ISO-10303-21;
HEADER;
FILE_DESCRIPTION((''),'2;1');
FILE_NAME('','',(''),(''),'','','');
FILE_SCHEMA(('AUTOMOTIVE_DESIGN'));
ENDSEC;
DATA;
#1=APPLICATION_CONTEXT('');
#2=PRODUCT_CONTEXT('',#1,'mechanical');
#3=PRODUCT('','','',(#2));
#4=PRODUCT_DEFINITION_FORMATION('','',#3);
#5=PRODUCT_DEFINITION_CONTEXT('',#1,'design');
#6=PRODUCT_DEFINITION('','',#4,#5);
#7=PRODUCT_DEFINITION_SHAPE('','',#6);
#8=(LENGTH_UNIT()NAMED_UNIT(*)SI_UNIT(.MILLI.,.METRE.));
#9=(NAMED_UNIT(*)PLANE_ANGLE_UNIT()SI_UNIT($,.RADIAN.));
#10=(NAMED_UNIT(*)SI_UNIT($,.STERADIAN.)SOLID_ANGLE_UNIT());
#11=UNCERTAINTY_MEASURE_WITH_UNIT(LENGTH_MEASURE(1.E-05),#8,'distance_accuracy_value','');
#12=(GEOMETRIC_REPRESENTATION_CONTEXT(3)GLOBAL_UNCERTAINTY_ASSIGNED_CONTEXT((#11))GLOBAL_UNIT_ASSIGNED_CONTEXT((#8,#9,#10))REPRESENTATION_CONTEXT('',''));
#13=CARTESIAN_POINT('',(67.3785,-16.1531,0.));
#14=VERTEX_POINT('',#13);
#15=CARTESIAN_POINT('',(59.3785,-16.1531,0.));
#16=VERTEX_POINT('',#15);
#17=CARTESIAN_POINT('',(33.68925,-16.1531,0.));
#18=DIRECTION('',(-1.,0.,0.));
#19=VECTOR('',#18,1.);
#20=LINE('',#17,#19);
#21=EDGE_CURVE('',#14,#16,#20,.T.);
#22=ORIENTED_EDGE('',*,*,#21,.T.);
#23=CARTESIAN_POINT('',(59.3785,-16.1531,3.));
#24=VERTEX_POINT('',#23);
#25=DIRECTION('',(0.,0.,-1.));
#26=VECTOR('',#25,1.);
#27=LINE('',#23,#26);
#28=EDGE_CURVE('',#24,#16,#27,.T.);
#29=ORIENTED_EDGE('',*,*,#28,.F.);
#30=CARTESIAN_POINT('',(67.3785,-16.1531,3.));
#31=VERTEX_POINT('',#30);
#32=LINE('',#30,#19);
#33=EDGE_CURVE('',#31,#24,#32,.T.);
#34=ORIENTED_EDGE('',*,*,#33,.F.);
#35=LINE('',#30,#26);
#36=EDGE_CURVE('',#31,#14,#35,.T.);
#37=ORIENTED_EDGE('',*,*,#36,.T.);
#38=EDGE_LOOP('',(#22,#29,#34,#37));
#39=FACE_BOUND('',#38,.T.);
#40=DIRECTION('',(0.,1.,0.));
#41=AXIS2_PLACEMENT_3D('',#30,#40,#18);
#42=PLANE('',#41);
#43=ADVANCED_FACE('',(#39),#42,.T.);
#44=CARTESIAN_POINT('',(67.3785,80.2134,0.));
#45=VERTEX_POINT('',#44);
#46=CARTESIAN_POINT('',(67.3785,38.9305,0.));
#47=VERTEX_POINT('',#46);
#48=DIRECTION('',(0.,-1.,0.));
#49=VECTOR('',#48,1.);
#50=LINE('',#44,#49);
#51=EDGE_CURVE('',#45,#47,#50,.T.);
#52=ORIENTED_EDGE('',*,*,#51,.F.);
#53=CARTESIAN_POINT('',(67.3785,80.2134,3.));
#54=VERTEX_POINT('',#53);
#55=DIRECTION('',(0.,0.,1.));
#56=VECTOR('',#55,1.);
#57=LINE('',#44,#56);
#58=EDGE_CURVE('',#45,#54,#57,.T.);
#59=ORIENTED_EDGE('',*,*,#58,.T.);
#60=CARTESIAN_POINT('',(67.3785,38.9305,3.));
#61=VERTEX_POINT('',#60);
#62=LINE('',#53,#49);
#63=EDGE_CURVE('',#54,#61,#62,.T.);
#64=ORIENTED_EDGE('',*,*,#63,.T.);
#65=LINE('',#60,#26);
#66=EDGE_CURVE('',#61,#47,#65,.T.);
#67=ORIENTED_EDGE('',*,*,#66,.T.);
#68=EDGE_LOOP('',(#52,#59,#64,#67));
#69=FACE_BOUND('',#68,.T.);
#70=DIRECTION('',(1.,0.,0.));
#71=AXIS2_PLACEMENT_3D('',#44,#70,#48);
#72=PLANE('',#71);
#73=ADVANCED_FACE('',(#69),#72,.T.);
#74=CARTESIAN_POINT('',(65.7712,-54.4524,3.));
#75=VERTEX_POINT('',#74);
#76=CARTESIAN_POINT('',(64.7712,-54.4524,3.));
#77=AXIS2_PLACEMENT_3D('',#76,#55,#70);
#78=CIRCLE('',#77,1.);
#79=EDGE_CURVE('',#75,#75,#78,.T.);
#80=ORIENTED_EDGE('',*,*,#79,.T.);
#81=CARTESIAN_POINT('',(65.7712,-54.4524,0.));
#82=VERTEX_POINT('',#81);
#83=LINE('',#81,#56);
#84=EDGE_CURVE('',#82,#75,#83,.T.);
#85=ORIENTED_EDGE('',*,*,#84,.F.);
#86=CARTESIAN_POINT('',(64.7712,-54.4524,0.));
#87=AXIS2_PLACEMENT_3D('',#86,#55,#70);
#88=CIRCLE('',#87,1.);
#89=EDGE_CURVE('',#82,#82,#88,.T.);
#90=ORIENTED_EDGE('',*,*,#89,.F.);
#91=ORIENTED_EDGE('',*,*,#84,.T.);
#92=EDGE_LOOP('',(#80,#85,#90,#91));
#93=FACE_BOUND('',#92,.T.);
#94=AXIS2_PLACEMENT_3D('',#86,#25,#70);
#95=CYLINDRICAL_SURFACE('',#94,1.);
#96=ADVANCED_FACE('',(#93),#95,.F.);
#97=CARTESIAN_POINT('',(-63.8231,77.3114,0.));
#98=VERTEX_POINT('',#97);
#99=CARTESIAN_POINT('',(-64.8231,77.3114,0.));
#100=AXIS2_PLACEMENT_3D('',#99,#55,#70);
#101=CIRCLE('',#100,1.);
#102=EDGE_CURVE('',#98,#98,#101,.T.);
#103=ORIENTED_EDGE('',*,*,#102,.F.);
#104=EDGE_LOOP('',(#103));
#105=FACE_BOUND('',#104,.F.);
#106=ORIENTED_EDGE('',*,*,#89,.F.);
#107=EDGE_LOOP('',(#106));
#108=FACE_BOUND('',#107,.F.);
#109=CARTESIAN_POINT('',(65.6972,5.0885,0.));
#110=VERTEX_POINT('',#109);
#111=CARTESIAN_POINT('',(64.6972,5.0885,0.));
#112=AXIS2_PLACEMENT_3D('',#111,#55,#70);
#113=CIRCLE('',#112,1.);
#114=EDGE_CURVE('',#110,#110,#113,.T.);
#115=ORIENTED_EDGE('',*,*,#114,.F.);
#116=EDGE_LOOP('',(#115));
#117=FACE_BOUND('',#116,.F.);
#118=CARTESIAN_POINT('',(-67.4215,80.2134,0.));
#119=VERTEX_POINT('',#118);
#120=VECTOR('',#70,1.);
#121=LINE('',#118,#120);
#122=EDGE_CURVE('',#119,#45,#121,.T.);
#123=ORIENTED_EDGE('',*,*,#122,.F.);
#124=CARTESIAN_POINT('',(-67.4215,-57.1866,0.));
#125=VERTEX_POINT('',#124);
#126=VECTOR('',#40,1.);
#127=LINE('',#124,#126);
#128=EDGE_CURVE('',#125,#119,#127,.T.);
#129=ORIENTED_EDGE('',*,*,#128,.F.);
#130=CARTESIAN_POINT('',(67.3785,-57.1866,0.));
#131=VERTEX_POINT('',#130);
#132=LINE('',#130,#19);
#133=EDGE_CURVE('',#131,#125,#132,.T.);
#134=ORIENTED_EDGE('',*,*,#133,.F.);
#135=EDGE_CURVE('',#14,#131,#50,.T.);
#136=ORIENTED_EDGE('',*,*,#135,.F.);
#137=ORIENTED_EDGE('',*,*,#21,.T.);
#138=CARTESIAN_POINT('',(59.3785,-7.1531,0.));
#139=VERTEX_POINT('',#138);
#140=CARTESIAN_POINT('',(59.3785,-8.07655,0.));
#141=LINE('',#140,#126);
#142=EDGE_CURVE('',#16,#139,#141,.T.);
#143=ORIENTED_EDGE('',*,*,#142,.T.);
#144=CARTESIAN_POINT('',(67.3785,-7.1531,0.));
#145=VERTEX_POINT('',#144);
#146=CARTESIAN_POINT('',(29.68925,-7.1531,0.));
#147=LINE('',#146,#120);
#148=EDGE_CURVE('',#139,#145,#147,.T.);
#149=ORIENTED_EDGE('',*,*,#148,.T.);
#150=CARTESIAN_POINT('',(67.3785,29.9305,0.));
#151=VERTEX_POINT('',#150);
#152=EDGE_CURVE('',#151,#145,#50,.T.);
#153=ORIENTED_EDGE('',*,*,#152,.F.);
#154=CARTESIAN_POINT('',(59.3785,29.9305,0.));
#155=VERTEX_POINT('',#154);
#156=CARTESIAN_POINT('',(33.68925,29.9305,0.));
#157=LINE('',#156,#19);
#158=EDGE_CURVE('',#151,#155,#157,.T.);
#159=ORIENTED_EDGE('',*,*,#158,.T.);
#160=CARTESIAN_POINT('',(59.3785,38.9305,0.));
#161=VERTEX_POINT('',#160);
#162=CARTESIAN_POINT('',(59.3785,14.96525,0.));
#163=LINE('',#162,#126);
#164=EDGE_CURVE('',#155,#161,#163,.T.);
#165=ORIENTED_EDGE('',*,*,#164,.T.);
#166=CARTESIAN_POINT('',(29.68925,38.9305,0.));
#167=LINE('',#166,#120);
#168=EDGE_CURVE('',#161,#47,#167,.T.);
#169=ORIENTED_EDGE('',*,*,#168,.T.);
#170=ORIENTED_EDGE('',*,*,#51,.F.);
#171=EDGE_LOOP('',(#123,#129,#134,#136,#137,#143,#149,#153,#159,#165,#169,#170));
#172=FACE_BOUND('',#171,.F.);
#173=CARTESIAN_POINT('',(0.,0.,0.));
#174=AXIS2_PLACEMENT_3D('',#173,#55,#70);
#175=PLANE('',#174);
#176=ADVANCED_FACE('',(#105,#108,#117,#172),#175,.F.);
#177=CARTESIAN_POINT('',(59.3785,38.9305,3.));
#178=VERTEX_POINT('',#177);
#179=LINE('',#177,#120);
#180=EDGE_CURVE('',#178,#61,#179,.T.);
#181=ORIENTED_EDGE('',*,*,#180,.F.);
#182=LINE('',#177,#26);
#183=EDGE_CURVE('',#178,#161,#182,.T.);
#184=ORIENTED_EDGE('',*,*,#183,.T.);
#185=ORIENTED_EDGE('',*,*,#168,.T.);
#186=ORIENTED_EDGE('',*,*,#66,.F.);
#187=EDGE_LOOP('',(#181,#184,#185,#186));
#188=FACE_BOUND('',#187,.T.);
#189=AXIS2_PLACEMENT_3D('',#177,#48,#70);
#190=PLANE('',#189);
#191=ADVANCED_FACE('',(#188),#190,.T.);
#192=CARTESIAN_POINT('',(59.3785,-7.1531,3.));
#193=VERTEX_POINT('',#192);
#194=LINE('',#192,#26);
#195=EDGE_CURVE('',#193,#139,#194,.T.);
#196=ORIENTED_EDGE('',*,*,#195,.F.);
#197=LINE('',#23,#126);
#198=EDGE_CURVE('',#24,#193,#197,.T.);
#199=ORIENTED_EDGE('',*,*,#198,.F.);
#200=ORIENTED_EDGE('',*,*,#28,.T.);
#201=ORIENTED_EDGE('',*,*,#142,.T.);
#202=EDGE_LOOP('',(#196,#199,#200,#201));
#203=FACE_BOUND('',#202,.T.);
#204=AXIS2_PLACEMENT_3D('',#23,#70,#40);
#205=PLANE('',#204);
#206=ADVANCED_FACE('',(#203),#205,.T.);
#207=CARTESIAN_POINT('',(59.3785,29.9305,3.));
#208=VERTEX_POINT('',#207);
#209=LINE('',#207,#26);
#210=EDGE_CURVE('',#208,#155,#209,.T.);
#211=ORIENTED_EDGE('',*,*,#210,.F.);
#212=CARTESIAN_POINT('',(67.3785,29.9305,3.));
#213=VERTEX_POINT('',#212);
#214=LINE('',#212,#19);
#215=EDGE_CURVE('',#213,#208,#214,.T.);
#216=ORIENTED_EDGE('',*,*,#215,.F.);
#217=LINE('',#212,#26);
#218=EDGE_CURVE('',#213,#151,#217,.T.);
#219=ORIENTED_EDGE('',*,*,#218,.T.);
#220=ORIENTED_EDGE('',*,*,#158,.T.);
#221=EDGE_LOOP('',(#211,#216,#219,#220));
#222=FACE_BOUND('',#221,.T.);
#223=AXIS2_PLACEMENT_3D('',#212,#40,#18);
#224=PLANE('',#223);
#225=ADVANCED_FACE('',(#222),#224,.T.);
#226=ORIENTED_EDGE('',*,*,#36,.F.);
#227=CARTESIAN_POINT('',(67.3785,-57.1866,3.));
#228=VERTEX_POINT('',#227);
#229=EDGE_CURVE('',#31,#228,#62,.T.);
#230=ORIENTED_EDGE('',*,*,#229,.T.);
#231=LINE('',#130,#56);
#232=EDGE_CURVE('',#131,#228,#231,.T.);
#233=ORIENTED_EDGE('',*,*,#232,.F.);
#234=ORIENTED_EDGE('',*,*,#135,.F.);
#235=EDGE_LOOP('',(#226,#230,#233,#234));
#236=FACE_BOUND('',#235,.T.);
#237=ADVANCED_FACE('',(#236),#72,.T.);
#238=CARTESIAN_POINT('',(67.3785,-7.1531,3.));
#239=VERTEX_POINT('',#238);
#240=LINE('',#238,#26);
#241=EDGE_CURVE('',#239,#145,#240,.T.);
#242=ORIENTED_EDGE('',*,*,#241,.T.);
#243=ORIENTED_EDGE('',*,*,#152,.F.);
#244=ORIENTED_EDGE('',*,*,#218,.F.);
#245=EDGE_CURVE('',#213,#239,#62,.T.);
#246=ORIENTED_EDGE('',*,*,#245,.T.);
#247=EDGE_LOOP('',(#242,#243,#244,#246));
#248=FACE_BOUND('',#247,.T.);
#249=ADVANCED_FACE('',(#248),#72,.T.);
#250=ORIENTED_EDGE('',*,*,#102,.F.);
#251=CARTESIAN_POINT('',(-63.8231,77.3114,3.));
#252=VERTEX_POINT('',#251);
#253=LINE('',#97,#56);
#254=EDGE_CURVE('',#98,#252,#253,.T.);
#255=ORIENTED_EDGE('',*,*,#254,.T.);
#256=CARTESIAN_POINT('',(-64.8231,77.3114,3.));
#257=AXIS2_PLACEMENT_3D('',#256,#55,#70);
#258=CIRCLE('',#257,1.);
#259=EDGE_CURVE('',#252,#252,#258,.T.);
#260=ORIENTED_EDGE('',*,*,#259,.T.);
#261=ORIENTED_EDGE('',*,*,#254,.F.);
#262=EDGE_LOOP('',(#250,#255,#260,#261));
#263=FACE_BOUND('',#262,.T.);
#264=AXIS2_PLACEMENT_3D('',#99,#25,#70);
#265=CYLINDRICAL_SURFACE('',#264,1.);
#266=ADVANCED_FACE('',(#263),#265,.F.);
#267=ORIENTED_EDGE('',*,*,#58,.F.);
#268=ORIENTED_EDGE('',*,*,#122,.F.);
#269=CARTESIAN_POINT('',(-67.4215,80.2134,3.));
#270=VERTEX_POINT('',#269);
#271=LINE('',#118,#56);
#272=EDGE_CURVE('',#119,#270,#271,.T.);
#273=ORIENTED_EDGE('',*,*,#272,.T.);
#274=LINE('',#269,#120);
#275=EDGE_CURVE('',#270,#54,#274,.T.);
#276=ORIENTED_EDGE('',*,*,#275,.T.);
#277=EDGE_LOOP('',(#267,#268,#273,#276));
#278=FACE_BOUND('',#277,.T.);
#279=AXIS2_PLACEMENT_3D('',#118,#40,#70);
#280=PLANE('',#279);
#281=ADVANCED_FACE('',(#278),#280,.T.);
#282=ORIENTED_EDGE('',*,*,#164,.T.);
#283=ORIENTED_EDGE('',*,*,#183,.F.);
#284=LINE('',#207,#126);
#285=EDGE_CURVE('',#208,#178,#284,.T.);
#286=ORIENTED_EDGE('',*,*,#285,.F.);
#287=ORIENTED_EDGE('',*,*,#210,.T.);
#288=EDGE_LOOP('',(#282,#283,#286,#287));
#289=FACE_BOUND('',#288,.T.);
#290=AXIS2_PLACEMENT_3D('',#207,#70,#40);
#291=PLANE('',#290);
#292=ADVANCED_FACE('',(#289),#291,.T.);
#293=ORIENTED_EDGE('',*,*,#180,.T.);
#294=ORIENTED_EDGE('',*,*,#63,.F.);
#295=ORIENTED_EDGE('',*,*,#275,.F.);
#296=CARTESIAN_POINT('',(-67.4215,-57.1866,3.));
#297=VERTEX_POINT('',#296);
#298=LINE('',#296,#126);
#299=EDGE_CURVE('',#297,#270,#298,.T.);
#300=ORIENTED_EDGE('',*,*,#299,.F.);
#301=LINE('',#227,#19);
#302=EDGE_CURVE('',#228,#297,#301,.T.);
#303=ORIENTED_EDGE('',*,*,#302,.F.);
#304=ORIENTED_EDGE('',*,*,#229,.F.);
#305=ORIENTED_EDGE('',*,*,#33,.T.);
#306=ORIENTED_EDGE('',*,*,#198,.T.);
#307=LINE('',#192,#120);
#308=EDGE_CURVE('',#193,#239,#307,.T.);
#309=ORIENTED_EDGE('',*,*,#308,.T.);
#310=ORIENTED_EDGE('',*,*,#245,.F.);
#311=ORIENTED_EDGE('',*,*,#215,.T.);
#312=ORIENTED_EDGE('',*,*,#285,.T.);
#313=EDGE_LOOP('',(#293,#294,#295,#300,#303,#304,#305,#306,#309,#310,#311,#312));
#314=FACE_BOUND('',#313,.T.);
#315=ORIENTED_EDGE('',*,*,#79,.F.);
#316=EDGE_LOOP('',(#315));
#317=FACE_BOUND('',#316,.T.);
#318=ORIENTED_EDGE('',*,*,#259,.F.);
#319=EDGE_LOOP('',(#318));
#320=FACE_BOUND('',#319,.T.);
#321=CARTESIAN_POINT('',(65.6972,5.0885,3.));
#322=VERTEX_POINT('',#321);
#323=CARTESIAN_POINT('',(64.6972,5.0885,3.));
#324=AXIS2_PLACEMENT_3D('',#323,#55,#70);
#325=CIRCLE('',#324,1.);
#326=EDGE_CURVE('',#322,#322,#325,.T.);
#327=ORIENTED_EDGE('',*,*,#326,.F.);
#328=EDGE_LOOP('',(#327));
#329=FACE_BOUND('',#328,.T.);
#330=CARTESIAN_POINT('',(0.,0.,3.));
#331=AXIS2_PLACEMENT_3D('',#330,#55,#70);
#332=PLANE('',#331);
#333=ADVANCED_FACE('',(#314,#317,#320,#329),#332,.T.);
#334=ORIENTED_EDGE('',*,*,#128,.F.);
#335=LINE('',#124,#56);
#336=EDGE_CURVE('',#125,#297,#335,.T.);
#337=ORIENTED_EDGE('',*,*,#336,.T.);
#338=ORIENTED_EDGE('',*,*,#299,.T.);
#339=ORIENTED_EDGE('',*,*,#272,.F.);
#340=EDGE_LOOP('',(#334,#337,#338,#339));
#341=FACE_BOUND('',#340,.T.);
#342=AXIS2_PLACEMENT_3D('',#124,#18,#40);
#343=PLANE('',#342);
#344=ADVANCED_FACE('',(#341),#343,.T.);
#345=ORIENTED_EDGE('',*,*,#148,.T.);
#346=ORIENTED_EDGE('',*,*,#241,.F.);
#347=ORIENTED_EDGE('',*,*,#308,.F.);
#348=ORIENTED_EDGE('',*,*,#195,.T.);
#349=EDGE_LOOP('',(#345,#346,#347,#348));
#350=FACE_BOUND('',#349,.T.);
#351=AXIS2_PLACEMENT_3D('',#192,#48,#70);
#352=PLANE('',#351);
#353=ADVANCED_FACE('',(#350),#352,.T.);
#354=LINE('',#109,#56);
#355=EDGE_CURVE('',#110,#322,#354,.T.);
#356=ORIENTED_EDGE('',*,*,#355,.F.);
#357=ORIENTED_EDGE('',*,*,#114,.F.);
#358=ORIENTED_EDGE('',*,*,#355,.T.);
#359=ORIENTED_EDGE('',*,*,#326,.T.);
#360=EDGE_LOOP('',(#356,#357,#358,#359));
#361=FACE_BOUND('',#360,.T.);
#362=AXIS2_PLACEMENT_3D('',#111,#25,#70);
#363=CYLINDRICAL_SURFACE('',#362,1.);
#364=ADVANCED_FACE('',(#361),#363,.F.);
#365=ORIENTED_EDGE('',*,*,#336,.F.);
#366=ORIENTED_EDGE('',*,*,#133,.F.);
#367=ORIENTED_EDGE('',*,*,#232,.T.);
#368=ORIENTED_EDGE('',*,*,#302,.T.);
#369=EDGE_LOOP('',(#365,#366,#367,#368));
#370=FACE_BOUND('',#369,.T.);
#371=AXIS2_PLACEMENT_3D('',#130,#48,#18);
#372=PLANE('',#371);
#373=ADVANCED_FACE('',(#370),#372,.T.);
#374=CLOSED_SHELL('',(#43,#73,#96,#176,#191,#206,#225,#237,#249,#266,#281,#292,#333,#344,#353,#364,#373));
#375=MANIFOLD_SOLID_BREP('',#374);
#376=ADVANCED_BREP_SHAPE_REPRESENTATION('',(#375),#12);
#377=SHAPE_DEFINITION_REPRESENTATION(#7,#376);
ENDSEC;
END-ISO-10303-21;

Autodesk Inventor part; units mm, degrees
ref_plane "YZ Plane" through (0, 0, 0) normal (1, 0, 0) x (0, 1, 0)
ref_plane "XZ Plane" through (0, 0, 0) normal (0, 1, 0) x (-1, 0, 0)
ref_plane "XY Plane" through (0, 0, 0) normal (0, 0, 1) x (1, 0, 0)
ref_plane "Work Plane1" through (0, 0, 0) normal (0, 0, 1) x (1, 0, 0)
sketch "Sketch1" plane through (0, 0, 0) normal (0, 0, 1) x (1, 0, 0)
  line L0 (67.3785, -57.1866) -> (-67.4215, -57.1866)
  line L1 (-67.4215, -57.1866) -> (-67.4215, 80.2134)
  line L2 (-67.4215, 80.2134) -> (67.3785, 80.2134)
  line L3 (67.3785, 80.2134) -> (67.3785, -57.1866)
  circle A0 centre (64.6972, 5.0885) radius 1
  circle A1 centre (-64.8231, 77.3114) radius 1
  circle A2 centre (64.7712, -54.4524) radius 1
  point P0 (0, 0)
  dimension "d0" = 2
  dimension "d1" = 2
  dimension "d4" = 2
  dimension "d11" = 137.4
  dimension "d12" = 134.8
extrude "Extrusion1" add sketch "Sketch1" along normal blind 3
sketch "Sketch2" plane through (0, 0, 3) normal (0, 0, 1) x (1, 0, 0)
  line L0 (67.3785, -57.1866) -> (67.3785, 80.2134) projected
  line L1 (67.3785, -16.1531) -> (59.3785, -16.1531)
  line L2 (59.3785, -16.1531) -> (59.3785, -7.1531)
  line L3 (59.3785, -7.1531) -> (67.3785, -7.1531)
  line L4 (67.3785, -7.1531) -> (67.3785, -16.1531)
  line L5 (67.3785, 29.9305) -> (59.3785, 29.9305)
  line L6 (59.3785, 29.9305) -> (59.3785, 38.9305)
  line L7 (59.3785, 38.9305) -> (67.3785, 38.9305)
  line L8 (67.3785, 38.9305) -> (67.3785, 29.9305)
  point P0 (0, 0)
  dimension "d5" = 8
  dimension "d6" = 9
  dimension "d7" = 8
  dimension "d8" = 9
extrude "Extrusion2" cut sketch "Sketch2" against normal through all
properties part number "CoverPSU"
